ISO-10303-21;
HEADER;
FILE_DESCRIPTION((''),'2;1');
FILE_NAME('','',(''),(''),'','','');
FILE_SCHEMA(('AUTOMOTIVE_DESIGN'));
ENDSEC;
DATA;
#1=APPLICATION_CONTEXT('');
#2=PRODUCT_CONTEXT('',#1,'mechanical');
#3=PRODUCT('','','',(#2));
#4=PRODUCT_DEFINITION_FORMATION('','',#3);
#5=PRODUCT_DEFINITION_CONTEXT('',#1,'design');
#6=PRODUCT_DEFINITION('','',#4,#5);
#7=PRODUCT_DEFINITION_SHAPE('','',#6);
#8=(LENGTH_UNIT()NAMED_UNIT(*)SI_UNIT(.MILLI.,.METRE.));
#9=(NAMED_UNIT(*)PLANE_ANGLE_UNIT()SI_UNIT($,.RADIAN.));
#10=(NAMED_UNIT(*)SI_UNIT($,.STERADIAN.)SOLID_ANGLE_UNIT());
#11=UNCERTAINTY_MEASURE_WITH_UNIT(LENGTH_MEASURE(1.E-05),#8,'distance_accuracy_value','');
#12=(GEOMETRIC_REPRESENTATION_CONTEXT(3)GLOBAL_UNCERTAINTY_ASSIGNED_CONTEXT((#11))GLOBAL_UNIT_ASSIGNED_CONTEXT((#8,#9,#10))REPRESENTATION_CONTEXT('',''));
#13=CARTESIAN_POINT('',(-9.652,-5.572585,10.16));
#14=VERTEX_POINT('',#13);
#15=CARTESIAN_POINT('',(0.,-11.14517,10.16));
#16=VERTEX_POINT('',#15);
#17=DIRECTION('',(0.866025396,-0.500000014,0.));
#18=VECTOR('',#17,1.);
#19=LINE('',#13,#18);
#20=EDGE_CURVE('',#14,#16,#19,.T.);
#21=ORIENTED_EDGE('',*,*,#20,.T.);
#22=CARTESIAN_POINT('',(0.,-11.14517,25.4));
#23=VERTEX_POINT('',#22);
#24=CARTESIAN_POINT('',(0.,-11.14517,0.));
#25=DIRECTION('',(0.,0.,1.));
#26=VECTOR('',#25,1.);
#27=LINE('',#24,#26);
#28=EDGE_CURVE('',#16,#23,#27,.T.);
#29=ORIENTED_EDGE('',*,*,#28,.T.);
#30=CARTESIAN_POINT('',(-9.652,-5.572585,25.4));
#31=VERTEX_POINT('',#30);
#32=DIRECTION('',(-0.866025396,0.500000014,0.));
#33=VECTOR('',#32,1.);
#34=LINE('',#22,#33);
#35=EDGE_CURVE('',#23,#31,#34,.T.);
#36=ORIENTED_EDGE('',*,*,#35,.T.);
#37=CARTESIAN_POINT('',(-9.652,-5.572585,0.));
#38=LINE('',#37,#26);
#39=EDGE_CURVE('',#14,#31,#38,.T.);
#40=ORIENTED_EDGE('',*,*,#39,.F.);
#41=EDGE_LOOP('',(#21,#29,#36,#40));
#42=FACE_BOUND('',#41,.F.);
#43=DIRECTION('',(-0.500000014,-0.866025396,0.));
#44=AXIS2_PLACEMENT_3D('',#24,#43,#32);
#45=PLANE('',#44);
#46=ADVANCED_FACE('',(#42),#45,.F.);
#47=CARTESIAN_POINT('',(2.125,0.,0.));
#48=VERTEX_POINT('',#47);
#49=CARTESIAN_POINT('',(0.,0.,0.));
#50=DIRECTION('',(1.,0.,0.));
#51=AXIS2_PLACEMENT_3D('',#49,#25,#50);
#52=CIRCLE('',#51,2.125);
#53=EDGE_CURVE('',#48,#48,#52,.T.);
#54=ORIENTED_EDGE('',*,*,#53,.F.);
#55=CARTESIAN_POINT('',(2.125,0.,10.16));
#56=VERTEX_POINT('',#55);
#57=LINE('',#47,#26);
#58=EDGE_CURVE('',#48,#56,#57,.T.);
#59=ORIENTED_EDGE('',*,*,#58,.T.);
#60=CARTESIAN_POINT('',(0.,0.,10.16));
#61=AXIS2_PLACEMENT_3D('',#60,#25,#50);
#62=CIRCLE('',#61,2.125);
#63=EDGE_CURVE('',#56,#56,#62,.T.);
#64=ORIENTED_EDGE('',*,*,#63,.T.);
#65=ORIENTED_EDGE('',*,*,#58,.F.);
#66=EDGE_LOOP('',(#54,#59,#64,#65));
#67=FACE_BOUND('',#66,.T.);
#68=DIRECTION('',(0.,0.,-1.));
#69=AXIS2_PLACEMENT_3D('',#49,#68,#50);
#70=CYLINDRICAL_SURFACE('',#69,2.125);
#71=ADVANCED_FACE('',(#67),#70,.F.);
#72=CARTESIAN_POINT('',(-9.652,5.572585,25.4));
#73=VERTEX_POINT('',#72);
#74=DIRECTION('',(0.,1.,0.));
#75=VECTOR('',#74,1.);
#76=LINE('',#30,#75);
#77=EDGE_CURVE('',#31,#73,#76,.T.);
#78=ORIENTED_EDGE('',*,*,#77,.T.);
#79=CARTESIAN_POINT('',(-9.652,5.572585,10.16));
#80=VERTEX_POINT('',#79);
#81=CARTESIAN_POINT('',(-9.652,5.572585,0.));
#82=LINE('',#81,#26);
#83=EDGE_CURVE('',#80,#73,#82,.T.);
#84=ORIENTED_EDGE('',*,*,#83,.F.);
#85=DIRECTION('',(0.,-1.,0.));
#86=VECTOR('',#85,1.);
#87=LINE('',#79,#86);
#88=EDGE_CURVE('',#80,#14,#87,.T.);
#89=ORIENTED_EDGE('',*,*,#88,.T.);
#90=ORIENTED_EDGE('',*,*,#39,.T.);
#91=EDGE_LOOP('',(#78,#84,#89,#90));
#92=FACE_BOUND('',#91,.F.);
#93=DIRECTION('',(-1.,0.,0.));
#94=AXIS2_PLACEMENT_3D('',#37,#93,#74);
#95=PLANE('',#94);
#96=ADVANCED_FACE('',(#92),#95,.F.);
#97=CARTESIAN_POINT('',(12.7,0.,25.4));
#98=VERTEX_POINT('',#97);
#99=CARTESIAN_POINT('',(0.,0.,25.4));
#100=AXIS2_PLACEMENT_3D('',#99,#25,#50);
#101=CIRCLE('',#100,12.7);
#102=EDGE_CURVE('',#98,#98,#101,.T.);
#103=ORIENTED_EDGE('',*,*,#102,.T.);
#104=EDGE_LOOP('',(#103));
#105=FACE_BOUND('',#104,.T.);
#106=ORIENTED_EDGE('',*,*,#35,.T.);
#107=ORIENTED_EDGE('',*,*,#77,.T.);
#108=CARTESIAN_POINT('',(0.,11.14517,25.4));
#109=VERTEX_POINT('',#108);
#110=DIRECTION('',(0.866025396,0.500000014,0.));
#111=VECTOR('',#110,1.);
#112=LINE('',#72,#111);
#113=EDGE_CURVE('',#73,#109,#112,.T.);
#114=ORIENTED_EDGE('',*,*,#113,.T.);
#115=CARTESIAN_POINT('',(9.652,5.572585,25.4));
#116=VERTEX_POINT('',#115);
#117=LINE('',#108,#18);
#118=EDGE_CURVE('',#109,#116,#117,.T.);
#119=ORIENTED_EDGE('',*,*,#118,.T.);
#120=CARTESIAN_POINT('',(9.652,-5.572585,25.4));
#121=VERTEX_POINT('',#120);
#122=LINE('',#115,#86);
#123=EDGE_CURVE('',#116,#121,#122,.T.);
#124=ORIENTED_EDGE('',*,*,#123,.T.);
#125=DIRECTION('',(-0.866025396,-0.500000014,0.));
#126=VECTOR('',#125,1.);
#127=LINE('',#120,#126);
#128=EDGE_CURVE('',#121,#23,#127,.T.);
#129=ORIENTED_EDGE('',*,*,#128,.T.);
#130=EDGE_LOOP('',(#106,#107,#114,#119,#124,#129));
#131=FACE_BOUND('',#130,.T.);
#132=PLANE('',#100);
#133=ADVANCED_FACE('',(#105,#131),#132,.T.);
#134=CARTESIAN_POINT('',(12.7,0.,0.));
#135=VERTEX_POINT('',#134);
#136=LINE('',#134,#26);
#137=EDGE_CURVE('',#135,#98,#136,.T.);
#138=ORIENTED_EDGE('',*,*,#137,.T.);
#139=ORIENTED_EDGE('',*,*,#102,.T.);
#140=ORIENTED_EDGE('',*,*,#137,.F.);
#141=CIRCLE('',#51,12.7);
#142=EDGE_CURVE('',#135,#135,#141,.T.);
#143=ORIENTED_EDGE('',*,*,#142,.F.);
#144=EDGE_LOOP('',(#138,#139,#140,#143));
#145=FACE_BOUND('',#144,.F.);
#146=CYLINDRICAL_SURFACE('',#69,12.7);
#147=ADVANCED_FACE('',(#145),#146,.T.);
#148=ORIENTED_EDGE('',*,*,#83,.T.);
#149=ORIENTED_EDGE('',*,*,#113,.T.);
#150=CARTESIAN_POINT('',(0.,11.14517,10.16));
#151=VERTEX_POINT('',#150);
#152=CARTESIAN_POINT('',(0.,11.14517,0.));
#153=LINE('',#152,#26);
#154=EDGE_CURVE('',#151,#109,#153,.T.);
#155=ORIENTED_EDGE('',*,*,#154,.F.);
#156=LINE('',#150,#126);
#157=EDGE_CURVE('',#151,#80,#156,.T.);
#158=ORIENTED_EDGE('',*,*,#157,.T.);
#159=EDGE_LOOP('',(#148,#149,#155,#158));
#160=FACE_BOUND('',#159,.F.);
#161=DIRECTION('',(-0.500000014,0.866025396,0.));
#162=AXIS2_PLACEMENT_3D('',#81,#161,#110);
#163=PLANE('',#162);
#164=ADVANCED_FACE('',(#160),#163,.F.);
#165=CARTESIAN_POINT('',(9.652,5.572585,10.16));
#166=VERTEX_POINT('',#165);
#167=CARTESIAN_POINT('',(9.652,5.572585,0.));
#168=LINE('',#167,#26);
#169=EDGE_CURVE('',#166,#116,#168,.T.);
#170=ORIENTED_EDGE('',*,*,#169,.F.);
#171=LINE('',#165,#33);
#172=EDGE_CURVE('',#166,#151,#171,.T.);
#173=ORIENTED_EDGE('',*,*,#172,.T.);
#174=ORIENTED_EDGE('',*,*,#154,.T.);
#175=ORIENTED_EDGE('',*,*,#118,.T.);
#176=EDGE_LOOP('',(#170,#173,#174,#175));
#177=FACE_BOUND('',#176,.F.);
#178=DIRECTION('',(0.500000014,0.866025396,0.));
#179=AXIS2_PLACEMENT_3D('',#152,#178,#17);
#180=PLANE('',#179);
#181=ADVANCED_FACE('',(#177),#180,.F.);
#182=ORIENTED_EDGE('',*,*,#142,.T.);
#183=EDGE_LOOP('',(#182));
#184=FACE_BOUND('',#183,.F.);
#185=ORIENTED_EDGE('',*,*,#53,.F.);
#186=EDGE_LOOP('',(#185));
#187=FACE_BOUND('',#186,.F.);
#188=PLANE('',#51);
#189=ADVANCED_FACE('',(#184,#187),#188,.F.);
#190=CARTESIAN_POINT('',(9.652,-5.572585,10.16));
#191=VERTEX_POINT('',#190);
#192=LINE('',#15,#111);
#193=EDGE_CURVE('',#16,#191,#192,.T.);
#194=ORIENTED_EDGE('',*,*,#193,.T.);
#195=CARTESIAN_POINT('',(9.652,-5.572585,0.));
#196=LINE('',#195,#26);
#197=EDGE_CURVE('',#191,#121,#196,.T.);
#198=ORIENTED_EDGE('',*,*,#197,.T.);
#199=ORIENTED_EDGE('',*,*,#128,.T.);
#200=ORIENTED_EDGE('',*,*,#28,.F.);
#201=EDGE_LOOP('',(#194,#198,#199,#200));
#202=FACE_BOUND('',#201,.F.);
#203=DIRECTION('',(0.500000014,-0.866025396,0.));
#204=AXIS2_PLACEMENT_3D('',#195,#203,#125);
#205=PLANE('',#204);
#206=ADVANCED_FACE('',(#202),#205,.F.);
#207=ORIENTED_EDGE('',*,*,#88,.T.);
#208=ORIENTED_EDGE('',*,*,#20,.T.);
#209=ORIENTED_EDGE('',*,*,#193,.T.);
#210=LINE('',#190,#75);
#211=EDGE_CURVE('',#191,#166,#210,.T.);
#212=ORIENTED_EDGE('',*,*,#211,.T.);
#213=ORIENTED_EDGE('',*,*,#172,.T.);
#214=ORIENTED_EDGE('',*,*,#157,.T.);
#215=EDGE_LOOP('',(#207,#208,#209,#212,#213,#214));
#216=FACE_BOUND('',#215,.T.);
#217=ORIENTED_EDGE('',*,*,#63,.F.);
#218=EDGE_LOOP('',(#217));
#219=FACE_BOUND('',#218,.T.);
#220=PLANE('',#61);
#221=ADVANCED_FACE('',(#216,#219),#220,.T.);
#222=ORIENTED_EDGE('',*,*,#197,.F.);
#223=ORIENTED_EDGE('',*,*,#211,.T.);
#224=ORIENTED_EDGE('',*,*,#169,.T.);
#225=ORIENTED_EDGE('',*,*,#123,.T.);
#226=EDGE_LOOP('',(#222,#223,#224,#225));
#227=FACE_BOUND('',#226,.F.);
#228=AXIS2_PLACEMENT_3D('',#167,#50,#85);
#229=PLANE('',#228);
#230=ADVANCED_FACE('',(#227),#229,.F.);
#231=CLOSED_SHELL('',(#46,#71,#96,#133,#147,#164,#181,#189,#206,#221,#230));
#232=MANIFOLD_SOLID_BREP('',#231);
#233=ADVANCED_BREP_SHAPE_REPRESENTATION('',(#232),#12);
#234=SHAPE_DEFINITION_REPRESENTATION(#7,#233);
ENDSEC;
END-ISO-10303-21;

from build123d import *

# Parameters (mm, degrees)
F0_R     = 12.7
F1_DEPTH = 25.4
F0_R_2   = 2.125
F2_DEPTH = 10.16


with BuildPart() as f1:
    # F0 (on Top) → F1 (new body)
    with BuildSketch(Plane.XY):
        Circle(F0_R)
        Polygon((0, 11.14517), (9.652, 5.572585), (9.652, -5.572585), (0, -11.14517), (-9.652, -5.572585), (-9.652, 5.572585), align=None, mode=Mode.SUBTRACT)
    extrude(amount=F1_DEPTH)

    # F0 (on Top) → F2 (join)
    with BuildSketch(Plane.XY):
        Polygon((9.652, -5.572585), (9.652, 5.572585), (0, 11.14517), (-9.652, 5.572585), (-9.652, -5.572585), (0, -11.14517), align=None)
        Circle(F0_R_2, mode=Mode.SUBTRACT)
    extrude(amount=F2_DEPTH)


solid = f1.part
